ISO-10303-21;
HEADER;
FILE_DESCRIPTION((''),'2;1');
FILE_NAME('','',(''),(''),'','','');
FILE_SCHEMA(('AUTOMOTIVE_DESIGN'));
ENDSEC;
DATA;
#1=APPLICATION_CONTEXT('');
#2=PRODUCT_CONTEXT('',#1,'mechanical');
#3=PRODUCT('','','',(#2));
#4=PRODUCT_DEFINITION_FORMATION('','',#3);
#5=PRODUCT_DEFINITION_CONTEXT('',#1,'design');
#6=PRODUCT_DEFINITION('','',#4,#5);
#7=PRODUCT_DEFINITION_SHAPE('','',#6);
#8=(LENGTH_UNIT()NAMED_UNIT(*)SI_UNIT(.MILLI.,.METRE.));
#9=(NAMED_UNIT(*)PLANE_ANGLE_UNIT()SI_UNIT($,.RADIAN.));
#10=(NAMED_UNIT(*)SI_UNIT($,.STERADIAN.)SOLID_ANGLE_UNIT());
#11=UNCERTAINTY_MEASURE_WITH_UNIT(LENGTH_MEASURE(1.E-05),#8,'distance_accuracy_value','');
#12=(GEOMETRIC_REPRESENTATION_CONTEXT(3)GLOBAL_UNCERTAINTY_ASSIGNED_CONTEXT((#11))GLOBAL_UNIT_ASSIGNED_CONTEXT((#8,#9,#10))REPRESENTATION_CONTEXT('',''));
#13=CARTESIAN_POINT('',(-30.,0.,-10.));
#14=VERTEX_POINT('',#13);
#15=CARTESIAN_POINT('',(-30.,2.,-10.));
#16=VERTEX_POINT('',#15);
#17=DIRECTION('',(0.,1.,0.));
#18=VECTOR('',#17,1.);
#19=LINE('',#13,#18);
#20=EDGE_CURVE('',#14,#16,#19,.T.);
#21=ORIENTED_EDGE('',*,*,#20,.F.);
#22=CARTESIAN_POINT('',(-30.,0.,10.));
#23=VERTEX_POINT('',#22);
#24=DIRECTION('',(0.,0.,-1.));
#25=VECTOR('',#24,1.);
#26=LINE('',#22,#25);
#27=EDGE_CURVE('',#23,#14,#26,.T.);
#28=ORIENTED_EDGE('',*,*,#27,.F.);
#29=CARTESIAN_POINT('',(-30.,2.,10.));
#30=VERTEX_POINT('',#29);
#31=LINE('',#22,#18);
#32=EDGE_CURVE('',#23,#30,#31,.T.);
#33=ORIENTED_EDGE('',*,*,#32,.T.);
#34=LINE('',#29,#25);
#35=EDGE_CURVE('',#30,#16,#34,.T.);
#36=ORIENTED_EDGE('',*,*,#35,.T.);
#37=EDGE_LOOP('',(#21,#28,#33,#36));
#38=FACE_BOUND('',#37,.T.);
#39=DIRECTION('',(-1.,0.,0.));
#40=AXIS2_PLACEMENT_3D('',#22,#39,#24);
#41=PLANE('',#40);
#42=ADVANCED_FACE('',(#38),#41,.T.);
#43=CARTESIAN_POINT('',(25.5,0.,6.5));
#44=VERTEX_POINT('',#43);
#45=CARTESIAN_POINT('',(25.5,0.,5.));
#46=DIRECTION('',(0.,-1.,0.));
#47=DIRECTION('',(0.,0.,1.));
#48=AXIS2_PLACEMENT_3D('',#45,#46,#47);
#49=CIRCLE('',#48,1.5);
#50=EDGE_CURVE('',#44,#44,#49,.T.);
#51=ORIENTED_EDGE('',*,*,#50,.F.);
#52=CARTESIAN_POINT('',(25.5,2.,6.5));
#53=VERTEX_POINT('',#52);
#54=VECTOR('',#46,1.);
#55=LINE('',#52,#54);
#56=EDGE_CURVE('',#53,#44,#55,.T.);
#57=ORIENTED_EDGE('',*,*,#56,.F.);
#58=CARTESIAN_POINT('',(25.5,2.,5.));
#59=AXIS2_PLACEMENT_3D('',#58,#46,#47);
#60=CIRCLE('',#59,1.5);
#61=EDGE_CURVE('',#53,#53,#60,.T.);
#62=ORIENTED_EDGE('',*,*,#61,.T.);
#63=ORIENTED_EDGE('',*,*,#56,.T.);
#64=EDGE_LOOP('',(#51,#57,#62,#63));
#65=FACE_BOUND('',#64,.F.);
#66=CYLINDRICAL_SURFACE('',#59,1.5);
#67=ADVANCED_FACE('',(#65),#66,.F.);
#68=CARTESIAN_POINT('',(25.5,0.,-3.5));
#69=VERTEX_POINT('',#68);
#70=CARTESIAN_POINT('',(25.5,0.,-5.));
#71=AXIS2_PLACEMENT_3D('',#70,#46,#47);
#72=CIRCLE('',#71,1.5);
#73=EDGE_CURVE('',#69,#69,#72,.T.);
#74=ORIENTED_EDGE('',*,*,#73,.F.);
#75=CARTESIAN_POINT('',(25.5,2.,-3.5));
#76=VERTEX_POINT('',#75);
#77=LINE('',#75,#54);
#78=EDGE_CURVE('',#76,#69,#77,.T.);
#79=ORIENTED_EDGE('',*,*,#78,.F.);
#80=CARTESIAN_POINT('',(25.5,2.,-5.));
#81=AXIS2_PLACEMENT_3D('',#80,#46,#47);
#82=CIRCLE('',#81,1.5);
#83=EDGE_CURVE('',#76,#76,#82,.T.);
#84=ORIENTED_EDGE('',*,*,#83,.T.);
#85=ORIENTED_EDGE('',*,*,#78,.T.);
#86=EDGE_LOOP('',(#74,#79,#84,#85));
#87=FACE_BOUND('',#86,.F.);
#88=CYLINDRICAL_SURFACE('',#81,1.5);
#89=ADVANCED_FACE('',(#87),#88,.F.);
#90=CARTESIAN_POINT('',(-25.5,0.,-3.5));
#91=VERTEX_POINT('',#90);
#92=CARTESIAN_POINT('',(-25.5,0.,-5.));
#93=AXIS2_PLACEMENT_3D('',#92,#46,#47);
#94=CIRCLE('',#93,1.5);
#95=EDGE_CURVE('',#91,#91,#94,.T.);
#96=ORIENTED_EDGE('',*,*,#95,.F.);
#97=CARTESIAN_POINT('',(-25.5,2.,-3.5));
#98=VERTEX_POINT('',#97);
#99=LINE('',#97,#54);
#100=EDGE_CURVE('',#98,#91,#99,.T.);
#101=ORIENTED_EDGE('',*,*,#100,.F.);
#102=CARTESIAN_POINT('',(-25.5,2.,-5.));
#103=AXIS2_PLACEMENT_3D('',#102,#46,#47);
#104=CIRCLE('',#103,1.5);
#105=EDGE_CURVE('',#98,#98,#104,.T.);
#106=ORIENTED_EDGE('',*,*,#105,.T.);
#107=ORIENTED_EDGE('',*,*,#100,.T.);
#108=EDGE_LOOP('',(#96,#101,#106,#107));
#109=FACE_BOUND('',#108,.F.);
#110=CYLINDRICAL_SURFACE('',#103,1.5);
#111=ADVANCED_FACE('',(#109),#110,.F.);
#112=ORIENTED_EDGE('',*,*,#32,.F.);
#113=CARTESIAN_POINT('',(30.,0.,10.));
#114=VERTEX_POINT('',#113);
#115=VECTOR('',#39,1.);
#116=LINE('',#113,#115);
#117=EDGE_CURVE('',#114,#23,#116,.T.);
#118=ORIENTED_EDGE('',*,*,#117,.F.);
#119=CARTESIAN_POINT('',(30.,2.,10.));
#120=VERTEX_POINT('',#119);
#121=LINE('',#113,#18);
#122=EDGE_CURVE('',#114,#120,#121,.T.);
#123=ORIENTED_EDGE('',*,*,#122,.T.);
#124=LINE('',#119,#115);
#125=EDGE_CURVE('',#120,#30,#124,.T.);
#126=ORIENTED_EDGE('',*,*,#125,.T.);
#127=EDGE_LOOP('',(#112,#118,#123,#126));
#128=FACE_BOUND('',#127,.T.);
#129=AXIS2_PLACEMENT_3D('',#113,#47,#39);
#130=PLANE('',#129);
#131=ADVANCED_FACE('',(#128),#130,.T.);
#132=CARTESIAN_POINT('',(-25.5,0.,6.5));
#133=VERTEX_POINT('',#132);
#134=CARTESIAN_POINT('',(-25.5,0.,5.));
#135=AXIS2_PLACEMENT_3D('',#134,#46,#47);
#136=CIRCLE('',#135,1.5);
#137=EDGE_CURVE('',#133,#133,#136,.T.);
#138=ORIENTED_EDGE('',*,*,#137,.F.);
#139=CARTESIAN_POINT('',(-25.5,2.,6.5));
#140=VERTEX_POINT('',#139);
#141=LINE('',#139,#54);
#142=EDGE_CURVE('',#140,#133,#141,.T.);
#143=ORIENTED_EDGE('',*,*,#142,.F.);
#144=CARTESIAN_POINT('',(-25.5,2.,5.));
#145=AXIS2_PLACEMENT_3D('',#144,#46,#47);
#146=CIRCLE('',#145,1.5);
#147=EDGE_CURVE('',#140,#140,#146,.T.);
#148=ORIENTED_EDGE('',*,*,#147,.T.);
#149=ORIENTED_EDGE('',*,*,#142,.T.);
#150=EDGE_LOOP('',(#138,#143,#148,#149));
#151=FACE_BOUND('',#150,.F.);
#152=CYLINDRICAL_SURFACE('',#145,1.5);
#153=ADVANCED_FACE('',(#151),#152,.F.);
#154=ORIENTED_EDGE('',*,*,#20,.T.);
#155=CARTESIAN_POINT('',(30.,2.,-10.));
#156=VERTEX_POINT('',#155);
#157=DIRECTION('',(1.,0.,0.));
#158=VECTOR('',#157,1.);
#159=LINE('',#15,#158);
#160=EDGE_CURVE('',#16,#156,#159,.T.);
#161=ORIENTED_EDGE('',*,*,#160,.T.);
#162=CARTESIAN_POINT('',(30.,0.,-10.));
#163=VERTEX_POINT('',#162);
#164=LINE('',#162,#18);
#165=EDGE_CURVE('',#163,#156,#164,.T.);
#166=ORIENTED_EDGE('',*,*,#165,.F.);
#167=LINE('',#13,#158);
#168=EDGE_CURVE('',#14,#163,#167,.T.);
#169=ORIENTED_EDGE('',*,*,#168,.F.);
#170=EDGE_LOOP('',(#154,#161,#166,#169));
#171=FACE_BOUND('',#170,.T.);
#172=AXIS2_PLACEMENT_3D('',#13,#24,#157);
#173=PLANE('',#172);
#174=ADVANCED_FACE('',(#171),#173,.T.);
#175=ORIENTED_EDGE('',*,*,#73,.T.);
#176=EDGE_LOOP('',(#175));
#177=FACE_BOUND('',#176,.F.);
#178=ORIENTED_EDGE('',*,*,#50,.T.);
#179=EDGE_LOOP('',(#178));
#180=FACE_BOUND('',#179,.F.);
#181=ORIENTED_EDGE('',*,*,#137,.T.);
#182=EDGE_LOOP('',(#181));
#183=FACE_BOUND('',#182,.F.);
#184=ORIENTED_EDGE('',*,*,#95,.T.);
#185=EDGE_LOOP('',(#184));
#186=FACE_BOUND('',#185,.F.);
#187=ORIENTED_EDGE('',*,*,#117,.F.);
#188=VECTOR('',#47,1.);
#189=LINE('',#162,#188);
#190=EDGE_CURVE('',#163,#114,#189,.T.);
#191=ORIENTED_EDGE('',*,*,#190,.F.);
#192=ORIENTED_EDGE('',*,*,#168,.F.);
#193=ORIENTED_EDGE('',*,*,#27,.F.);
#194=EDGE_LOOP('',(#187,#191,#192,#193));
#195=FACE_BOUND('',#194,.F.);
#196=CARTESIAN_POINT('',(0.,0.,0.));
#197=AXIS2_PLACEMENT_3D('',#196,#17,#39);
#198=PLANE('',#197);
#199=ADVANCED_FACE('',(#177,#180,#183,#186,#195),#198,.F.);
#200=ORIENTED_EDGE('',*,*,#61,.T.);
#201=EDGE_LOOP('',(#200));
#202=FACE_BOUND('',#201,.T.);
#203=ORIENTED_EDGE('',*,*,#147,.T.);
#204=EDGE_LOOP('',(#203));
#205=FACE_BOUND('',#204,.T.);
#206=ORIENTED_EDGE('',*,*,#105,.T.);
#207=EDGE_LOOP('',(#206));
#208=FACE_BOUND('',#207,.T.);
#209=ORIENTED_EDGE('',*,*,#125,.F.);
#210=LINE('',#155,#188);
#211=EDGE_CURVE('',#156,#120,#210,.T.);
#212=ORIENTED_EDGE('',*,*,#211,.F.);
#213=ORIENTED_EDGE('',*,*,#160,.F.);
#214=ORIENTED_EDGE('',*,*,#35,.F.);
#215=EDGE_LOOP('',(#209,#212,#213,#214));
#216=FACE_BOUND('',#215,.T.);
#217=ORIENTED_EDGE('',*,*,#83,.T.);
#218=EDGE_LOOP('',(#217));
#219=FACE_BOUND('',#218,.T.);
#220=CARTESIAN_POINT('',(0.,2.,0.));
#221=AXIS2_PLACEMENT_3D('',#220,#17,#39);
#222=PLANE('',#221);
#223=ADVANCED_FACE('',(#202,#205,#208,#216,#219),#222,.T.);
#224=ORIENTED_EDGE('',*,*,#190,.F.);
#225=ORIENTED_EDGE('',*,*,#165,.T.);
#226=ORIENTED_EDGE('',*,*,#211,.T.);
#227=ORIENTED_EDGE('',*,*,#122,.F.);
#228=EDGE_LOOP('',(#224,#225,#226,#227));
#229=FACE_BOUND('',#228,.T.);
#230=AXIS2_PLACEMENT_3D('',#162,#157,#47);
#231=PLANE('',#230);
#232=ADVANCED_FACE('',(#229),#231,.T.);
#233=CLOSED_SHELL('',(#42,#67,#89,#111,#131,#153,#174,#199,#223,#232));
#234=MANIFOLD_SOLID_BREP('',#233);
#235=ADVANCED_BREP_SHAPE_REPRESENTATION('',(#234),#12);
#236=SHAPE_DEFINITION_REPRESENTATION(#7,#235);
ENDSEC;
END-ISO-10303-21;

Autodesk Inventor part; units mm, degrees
ref_plane "YZ Plane" through (0, 0, 0) normal (1, 0, 0) x (0, 1, 0)
ref_plane "XZ Plane" through (0, 0, 0) normal (0, 1, 0) x (-1, 0, 0)
ref_plane "XY Plane" through (0, 0, 0) normal (0, 0, 1) x (1, 0, 0)
sketch "スケッチ1" plane through (0, 0, 0) normal (0, 1, 0) x (-1, 0, 0)
  line L0 (-30, 10) -> (30, 10)
  line L1 (30, 10) -> (30, -10)
  line L2 (30, -10) -> (-30, -10)
  line L3 (-30, -10) -> (-30, 10)
  point P0 (0, 0)
  dimension "d0" = 20
  dimension "d2" = 60
  dimension "d3" = 30
  dimension "d4" = 10
extrude "押し出し1" add sketch "スケッチ1" along normal blind 2
sketch "スケッチ2" plane through (0, 2, 0) normal (0, 1, 0) x (1, 0, 0)
  line L0 (30, -10) -> (30, 10) projected
  line L1 (30, 10) -> (-30, 10) projected
  line L2 (-30, 10) -> (-30, -10) projected
  circle A0 centre (-25.5, 5) radius 1.5
  circle A1 centre (-25.5, -5) radius 1.5
  circle A2 centre (25.5, -5) radius 1.5
  circle A3 centre (25.5, 5) radius 1.5
  point P0 (0, 0)
  dimension "d7" = 10
  dimension "d9" = 5
  dimension "d10" = 5
  dimension "d11" = 10
  dimension "d12" = 4.5
  dimension "d13" = 4.5
  dimension "d14" = 4.5
  dimension "d15" = 4.5
  dimension "d16" = 3
hole "穴1" at (-25.5, 2, -5) at (-25.5, 2, 5) at (25.5, 2, 5) at (25.5, 2, -5) direction (0, -1, 0) diameter 3 end through all
properties part number "11" material "アルミニウム 6061"
